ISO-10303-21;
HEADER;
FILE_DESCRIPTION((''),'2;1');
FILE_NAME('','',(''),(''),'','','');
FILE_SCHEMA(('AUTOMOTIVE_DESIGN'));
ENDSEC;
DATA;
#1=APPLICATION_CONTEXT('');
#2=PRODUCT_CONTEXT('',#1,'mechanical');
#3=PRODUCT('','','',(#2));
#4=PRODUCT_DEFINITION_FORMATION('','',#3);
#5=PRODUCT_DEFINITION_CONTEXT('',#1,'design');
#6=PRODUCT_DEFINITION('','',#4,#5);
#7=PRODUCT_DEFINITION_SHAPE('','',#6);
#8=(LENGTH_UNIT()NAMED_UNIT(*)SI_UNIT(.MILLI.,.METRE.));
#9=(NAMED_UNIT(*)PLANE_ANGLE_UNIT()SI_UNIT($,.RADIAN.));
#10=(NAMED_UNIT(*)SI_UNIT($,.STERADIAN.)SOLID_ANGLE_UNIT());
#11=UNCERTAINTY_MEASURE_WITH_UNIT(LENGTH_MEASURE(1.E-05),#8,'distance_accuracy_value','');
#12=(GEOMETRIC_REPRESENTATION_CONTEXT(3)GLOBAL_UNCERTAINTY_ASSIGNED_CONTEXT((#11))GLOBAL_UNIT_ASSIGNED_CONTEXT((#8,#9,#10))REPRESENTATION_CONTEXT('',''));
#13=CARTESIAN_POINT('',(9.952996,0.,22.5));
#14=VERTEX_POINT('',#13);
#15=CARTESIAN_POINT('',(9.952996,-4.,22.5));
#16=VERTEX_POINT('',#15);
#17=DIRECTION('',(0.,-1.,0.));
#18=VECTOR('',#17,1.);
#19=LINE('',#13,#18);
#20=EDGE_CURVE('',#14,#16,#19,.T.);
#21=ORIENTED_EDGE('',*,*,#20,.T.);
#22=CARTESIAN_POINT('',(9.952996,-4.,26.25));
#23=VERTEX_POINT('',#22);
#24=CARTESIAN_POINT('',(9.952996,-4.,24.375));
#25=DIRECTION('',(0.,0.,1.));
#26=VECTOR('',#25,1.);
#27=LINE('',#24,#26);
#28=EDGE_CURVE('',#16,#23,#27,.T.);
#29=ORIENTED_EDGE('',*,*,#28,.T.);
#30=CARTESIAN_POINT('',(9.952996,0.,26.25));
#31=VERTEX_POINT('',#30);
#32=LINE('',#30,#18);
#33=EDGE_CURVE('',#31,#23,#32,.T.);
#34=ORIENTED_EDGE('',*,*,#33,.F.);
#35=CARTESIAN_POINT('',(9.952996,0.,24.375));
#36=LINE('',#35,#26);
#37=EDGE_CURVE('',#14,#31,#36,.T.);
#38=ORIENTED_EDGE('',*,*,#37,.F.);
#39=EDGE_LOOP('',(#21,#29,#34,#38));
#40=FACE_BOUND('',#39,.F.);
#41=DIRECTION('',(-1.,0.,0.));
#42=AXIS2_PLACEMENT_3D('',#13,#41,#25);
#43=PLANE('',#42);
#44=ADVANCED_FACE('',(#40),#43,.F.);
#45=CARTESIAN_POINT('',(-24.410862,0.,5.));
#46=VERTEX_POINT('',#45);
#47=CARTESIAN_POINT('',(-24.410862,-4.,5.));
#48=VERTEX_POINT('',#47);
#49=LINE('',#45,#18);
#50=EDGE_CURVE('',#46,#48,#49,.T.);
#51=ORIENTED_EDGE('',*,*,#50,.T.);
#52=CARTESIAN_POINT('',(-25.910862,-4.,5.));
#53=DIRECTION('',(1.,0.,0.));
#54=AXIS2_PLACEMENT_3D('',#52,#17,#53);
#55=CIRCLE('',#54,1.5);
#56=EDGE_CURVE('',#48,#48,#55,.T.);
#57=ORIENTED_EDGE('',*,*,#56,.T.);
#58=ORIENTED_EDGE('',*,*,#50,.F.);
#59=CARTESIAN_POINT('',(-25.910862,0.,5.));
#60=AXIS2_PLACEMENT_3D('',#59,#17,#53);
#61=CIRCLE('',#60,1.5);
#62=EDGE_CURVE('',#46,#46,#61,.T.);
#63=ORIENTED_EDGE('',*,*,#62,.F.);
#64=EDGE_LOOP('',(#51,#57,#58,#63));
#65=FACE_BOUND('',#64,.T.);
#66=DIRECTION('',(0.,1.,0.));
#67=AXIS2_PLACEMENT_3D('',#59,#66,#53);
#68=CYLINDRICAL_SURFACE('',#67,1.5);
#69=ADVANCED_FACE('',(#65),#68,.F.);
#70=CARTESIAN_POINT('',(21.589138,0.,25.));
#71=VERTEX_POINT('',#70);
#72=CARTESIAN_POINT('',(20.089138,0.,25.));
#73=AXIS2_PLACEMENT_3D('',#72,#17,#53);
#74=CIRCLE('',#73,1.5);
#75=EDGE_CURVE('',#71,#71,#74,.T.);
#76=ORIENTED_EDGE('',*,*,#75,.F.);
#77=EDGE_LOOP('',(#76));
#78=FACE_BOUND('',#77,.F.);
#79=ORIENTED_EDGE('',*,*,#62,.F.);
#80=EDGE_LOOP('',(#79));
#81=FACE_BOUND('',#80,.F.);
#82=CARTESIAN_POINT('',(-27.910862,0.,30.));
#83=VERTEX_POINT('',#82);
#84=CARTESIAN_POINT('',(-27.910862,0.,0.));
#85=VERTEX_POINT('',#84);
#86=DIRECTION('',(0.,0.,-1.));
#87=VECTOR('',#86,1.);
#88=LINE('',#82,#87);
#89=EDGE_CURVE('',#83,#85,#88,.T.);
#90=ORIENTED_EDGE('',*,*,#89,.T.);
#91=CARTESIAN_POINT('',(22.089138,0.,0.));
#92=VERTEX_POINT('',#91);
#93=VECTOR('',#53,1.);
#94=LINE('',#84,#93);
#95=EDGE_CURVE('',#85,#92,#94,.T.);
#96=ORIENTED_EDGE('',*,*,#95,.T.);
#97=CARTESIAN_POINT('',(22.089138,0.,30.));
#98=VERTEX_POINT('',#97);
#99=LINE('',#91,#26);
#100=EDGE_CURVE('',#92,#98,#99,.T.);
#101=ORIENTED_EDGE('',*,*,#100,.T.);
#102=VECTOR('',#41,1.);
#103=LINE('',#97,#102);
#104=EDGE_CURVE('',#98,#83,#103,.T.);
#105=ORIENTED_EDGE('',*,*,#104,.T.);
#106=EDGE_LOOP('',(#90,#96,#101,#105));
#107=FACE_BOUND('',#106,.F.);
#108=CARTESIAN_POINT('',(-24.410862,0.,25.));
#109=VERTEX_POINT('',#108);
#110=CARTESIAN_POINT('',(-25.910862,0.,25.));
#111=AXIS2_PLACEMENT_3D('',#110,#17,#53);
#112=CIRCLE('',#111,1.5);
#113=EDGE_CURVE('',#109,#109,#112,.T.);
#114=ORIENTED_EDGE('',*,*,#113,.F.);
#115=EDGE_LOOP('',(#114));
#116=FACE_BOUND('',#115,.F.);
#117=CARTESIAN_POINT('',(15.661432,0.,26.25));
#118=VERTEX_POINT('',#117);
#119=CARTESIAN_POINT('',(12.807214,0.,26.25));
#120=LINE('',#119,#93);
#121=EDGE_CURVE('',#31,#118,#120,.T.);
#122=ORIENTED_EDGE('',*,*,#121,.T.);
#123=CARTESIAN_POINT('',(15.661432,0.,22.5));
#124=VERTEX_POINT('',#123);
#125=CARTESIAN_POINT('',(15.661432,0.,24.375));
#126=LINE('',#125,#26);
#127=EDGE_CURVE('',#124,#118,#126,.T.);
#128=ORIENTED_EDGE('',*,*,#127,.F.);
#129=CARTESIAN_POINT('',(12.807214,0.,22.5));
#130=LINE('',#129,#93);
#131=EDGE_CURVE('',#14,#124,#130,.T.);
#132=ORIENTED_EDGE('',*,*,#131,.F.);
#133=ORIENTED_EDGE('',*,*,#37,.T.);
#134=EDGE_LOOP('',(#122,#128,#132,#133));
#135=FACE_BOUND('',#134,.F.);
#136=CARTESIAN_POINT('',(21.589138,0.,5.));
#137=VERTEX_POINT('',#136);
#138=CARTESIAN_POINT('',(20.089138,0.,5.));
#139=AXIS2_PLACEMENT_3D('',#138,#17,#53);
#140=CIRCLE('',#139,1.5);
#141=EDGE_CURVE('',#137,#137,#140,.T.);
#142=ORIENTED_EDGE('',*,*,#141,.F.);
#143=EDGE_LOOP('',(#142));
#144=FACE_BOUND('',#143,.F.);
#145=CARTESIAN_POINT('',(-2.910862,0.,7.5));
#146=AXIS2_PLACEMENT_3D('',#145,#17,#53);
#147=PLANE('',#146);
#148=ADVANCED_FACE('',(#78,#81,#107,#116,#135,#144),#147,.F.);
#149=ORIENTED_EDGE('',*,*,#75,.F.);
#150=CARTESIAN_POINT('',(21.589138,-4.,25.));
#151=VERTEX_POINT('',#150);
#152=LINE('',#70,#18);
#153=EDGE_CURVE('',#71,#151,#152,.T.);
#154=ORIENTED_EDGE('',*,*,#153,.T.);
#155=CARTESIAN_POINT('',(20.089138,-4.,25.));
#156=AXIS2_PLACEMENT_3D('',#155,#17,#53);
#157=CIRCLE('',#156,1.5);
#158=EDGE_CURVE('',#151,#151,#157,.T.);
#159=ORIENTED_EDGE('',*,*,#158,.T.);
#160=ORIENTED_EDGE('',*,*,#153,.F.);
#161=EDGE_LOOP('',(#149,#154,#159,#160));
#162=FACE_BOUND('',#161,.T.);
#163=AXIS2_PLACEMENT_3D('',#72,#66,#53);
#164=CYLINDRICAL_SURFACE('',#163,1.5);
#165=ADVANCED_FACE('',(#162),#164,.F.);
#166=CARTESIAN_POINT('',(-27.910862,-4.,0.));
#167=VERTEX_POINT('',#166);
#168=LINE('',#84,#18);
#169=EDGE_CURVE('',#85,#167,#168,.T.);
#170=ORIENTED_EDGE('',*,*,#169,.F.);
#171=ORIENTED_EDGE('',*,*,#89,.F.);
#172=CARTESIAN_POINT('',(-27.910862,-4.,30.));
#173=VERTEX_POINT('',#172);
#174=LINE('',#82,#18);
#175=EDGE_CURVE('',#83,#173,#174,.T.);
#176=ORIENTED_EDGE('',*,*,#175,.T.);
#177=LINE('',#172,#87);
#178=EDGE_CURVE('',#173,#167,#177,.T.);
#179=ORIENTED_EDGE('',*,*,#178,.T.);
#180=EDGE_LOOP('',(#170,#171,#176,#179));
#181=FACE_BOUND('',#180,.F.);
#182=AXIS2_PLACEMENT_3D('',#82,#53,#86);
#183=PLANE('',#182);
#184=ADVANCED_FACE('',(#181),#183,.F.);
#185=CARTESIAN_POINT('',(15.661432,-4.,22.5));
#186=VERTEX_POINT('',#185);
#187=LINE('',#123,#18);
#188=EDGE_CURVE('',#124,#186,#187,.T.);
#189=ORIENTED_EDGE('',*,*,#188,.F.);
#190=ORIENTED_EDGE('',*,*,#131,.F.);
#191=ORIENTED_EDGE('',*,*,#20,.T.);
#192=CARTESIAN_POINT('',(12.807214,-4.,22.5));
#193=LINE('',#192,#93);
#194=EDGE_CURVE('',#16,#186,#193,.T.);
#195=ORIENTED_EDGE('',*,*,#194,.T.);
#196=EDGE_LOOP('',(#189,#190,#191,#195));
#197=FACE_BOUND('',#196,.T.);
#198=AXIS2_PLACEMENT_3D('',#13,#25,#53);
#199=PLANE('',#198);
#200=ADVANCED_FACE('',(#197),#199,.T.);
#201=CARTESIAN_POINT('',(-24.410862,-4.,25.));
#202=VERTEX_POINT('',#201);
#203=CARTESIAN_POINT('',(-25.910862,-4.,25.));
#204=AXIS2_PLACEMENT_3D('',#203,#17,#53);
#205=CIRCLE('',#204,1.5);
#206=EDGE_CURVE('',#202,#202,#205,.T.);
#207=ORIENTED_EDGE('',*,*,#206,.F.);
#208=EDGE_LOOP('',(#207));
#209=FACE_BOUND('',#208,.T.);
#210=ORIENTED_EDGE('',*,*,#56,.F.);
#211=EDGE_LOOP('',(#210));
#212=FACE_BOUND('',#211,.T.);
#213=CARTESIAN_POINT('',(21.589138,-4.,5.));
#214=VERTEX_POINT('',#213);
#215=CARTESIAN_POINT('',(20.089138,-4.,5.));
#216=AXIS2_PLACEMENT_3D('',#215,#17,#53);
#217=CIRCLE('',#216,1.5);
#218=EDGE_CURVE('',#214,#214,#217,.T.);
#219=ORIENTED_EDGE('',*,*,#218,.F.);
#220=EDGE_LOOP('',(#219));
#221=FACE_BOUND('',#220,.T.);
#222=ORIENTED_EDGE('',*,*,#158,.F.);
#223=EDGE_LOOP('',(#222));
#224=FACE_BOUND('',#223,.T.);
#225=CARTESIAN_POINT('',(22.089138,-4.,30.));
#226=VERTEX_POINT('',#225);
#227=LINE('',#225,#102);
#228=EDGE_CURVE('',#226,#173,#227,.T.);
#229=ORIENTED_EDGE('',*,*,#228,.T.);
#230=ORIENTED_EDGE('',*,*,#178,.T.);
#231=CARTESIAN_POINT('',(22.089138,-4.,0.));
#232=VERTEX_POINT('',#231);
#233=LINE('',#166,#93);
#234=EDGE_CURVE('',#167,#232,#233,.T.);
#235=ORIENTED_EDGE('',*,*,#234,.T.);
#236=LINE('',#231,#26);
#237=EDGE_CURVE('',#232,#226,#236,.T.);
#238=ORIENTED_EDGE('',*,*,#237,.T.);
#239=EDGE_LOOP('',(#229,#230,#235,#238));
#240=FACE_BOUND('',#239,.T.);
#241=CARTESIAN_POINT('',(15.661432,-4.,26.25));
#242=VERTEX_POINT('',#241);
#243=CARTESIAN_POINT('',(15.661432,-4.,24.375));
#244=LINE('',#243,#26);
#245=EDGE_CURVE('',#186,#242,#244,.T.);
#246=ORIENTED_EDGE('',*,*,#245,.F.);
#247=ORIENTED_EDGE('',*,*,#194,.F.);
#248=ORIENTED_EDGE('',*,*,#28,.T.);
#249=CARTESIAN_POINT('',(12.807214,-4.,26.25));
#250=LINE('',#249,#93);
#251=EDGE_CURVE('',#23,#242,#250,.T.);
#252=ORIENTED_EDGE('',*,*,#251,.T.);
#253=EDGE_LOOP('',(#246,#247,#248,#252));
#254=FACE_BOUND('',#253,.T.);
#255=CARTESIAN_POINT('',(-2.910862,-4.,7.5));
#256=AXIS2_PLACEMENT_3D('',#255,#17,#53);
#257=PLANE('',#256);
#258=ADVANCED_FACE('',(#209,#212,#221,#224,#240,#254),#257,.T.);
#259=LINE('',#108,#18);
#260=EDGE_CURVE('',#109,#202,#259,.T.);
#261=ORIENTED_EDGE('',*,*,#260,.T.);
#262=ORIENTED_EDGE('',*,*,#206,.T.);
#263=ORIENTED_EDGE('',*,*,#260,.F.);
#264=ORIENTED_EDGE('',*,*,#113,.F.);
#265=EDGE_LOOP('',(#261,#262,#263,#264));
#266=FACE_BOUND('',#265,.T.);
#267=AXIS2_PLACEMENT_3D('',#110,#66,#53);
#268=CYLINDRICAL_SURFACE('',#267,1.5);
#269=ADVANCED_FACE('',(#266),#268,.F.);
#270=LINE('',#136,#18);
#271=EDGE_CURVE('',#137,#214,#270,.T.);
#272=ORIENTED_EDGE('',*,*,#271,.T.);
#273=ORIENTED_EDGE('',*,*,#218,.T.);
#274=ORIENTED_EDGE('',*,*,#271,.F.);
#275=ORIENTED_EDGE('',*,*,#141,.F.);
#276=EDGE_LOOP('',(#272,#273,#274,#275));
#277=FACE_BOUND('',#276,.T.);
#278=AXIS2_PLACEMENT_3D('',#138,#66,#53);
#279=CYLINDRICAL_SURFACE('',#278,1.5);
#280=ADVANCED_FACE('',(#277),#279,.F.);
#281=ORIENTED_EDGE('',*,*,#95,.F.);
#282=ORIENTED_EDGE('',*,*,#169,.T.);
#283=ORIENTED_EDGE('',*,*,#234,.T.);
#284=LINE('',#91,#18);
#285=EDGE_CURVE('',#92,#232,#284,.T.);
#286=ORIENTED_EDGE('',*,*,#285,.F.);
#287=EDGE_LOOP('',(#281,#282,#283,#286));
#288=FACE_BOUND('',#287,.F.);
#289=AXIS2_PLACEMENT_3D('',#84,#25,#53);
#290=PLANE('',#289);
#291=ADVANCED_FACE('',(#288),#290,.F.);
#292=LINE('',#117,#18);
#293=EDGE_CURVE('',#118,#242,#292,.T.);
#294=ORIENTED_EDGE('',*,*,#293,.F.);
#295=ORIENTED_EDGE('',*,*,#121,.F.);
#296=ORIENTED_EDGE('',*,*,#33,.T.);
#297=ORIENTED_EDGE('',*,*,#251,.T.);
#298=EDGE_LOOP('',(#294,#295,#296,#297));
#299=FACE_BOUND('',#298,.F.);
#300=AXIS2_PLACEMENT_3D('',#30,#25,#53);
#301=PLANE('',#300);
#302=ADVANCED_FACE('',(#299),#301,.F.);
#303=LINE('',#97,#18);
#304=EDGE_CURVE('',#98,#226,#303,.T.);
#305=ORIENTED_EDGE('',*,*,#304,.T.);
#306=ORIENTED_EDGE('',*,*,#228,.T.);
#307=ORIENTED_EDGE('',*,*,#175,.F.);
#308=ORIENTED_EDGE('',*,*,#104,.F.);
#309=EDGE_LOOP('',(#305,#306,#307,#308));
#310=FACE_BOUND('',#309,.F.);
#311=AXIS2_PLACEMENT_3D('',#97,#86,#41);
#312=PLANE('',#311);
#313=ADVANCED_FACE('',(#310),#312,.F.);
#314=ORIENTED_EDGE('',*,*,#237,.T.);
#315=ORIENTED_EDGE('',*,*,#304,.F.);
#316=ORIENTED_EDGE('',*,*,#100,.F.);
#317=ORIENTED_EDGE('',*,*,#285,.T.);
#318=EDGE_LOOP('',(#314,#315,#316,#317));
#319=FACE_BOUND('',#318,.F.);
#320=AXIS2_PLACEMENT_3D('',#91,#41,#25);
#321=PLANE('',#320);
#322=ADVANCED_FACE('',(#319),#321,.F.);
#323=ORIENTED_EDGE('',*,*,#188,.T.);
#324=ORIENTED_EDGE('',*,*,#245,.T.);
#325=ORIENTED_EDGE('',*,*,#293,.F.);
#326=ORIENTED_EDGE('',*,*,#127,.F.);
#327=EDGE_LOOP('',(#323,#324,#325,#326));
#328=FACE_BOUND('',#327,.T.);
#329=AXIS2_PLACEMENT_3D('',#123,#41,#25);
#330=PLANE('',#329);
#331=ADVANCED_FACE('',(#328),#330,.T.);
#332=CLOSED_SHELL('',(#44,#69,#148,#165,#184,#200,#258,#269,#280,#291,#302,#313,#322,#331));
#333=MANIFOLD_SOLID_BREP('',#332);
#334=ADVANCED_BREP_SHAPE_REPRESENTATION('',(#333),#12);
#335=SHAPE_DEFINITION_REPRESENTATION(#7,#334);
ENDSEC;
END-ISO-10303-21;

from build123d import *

# Parameters (mm, degrees)
F0_R     = 1.5
F0_W     = 5.708436
F0_H     = 3.75
F1_DEPTH = 4


with BuildPart() as f1:
    # F0 (on Front) → F1 (new body)
    with BuildSketch(Plane.XZ):
        Polygon((-25.910862, 0), (22.089138, 0), (22.089138, 7.5), (22.089138, 15), (-27.910862, 15), (-27.910862, 5), (-27.910862, 0), align=None)
        with Locations((-25.910862, 5)):
            Circle(F0_R, mode=Mode.SUBTRACT)
        with Locations((20.089138, 5)):
            Circle(F0_R, mode=Mode.SUBTRACT)
        Polygon((-27.910862, 15), (22.089138, 15), (22.089138, 30), (-25.910862, 30), (-27.910862, 30), (-27.910862, 25), align=None)
        with Locations((-25.910862, 25)):
            Circle(F0_R, mode=Mode.SUBTRACT)
        with Locations((12.807214, 24.375)):
            Rectangle(F0_W, F0_H, mode=Mode.SUBTRACT)
        with Locations((20.089138, 25)):
            Circle(F0_R, mode=Mode.SUBTRACT)
    extrude(amount=F1_DEPTH)


solid = f1.part
